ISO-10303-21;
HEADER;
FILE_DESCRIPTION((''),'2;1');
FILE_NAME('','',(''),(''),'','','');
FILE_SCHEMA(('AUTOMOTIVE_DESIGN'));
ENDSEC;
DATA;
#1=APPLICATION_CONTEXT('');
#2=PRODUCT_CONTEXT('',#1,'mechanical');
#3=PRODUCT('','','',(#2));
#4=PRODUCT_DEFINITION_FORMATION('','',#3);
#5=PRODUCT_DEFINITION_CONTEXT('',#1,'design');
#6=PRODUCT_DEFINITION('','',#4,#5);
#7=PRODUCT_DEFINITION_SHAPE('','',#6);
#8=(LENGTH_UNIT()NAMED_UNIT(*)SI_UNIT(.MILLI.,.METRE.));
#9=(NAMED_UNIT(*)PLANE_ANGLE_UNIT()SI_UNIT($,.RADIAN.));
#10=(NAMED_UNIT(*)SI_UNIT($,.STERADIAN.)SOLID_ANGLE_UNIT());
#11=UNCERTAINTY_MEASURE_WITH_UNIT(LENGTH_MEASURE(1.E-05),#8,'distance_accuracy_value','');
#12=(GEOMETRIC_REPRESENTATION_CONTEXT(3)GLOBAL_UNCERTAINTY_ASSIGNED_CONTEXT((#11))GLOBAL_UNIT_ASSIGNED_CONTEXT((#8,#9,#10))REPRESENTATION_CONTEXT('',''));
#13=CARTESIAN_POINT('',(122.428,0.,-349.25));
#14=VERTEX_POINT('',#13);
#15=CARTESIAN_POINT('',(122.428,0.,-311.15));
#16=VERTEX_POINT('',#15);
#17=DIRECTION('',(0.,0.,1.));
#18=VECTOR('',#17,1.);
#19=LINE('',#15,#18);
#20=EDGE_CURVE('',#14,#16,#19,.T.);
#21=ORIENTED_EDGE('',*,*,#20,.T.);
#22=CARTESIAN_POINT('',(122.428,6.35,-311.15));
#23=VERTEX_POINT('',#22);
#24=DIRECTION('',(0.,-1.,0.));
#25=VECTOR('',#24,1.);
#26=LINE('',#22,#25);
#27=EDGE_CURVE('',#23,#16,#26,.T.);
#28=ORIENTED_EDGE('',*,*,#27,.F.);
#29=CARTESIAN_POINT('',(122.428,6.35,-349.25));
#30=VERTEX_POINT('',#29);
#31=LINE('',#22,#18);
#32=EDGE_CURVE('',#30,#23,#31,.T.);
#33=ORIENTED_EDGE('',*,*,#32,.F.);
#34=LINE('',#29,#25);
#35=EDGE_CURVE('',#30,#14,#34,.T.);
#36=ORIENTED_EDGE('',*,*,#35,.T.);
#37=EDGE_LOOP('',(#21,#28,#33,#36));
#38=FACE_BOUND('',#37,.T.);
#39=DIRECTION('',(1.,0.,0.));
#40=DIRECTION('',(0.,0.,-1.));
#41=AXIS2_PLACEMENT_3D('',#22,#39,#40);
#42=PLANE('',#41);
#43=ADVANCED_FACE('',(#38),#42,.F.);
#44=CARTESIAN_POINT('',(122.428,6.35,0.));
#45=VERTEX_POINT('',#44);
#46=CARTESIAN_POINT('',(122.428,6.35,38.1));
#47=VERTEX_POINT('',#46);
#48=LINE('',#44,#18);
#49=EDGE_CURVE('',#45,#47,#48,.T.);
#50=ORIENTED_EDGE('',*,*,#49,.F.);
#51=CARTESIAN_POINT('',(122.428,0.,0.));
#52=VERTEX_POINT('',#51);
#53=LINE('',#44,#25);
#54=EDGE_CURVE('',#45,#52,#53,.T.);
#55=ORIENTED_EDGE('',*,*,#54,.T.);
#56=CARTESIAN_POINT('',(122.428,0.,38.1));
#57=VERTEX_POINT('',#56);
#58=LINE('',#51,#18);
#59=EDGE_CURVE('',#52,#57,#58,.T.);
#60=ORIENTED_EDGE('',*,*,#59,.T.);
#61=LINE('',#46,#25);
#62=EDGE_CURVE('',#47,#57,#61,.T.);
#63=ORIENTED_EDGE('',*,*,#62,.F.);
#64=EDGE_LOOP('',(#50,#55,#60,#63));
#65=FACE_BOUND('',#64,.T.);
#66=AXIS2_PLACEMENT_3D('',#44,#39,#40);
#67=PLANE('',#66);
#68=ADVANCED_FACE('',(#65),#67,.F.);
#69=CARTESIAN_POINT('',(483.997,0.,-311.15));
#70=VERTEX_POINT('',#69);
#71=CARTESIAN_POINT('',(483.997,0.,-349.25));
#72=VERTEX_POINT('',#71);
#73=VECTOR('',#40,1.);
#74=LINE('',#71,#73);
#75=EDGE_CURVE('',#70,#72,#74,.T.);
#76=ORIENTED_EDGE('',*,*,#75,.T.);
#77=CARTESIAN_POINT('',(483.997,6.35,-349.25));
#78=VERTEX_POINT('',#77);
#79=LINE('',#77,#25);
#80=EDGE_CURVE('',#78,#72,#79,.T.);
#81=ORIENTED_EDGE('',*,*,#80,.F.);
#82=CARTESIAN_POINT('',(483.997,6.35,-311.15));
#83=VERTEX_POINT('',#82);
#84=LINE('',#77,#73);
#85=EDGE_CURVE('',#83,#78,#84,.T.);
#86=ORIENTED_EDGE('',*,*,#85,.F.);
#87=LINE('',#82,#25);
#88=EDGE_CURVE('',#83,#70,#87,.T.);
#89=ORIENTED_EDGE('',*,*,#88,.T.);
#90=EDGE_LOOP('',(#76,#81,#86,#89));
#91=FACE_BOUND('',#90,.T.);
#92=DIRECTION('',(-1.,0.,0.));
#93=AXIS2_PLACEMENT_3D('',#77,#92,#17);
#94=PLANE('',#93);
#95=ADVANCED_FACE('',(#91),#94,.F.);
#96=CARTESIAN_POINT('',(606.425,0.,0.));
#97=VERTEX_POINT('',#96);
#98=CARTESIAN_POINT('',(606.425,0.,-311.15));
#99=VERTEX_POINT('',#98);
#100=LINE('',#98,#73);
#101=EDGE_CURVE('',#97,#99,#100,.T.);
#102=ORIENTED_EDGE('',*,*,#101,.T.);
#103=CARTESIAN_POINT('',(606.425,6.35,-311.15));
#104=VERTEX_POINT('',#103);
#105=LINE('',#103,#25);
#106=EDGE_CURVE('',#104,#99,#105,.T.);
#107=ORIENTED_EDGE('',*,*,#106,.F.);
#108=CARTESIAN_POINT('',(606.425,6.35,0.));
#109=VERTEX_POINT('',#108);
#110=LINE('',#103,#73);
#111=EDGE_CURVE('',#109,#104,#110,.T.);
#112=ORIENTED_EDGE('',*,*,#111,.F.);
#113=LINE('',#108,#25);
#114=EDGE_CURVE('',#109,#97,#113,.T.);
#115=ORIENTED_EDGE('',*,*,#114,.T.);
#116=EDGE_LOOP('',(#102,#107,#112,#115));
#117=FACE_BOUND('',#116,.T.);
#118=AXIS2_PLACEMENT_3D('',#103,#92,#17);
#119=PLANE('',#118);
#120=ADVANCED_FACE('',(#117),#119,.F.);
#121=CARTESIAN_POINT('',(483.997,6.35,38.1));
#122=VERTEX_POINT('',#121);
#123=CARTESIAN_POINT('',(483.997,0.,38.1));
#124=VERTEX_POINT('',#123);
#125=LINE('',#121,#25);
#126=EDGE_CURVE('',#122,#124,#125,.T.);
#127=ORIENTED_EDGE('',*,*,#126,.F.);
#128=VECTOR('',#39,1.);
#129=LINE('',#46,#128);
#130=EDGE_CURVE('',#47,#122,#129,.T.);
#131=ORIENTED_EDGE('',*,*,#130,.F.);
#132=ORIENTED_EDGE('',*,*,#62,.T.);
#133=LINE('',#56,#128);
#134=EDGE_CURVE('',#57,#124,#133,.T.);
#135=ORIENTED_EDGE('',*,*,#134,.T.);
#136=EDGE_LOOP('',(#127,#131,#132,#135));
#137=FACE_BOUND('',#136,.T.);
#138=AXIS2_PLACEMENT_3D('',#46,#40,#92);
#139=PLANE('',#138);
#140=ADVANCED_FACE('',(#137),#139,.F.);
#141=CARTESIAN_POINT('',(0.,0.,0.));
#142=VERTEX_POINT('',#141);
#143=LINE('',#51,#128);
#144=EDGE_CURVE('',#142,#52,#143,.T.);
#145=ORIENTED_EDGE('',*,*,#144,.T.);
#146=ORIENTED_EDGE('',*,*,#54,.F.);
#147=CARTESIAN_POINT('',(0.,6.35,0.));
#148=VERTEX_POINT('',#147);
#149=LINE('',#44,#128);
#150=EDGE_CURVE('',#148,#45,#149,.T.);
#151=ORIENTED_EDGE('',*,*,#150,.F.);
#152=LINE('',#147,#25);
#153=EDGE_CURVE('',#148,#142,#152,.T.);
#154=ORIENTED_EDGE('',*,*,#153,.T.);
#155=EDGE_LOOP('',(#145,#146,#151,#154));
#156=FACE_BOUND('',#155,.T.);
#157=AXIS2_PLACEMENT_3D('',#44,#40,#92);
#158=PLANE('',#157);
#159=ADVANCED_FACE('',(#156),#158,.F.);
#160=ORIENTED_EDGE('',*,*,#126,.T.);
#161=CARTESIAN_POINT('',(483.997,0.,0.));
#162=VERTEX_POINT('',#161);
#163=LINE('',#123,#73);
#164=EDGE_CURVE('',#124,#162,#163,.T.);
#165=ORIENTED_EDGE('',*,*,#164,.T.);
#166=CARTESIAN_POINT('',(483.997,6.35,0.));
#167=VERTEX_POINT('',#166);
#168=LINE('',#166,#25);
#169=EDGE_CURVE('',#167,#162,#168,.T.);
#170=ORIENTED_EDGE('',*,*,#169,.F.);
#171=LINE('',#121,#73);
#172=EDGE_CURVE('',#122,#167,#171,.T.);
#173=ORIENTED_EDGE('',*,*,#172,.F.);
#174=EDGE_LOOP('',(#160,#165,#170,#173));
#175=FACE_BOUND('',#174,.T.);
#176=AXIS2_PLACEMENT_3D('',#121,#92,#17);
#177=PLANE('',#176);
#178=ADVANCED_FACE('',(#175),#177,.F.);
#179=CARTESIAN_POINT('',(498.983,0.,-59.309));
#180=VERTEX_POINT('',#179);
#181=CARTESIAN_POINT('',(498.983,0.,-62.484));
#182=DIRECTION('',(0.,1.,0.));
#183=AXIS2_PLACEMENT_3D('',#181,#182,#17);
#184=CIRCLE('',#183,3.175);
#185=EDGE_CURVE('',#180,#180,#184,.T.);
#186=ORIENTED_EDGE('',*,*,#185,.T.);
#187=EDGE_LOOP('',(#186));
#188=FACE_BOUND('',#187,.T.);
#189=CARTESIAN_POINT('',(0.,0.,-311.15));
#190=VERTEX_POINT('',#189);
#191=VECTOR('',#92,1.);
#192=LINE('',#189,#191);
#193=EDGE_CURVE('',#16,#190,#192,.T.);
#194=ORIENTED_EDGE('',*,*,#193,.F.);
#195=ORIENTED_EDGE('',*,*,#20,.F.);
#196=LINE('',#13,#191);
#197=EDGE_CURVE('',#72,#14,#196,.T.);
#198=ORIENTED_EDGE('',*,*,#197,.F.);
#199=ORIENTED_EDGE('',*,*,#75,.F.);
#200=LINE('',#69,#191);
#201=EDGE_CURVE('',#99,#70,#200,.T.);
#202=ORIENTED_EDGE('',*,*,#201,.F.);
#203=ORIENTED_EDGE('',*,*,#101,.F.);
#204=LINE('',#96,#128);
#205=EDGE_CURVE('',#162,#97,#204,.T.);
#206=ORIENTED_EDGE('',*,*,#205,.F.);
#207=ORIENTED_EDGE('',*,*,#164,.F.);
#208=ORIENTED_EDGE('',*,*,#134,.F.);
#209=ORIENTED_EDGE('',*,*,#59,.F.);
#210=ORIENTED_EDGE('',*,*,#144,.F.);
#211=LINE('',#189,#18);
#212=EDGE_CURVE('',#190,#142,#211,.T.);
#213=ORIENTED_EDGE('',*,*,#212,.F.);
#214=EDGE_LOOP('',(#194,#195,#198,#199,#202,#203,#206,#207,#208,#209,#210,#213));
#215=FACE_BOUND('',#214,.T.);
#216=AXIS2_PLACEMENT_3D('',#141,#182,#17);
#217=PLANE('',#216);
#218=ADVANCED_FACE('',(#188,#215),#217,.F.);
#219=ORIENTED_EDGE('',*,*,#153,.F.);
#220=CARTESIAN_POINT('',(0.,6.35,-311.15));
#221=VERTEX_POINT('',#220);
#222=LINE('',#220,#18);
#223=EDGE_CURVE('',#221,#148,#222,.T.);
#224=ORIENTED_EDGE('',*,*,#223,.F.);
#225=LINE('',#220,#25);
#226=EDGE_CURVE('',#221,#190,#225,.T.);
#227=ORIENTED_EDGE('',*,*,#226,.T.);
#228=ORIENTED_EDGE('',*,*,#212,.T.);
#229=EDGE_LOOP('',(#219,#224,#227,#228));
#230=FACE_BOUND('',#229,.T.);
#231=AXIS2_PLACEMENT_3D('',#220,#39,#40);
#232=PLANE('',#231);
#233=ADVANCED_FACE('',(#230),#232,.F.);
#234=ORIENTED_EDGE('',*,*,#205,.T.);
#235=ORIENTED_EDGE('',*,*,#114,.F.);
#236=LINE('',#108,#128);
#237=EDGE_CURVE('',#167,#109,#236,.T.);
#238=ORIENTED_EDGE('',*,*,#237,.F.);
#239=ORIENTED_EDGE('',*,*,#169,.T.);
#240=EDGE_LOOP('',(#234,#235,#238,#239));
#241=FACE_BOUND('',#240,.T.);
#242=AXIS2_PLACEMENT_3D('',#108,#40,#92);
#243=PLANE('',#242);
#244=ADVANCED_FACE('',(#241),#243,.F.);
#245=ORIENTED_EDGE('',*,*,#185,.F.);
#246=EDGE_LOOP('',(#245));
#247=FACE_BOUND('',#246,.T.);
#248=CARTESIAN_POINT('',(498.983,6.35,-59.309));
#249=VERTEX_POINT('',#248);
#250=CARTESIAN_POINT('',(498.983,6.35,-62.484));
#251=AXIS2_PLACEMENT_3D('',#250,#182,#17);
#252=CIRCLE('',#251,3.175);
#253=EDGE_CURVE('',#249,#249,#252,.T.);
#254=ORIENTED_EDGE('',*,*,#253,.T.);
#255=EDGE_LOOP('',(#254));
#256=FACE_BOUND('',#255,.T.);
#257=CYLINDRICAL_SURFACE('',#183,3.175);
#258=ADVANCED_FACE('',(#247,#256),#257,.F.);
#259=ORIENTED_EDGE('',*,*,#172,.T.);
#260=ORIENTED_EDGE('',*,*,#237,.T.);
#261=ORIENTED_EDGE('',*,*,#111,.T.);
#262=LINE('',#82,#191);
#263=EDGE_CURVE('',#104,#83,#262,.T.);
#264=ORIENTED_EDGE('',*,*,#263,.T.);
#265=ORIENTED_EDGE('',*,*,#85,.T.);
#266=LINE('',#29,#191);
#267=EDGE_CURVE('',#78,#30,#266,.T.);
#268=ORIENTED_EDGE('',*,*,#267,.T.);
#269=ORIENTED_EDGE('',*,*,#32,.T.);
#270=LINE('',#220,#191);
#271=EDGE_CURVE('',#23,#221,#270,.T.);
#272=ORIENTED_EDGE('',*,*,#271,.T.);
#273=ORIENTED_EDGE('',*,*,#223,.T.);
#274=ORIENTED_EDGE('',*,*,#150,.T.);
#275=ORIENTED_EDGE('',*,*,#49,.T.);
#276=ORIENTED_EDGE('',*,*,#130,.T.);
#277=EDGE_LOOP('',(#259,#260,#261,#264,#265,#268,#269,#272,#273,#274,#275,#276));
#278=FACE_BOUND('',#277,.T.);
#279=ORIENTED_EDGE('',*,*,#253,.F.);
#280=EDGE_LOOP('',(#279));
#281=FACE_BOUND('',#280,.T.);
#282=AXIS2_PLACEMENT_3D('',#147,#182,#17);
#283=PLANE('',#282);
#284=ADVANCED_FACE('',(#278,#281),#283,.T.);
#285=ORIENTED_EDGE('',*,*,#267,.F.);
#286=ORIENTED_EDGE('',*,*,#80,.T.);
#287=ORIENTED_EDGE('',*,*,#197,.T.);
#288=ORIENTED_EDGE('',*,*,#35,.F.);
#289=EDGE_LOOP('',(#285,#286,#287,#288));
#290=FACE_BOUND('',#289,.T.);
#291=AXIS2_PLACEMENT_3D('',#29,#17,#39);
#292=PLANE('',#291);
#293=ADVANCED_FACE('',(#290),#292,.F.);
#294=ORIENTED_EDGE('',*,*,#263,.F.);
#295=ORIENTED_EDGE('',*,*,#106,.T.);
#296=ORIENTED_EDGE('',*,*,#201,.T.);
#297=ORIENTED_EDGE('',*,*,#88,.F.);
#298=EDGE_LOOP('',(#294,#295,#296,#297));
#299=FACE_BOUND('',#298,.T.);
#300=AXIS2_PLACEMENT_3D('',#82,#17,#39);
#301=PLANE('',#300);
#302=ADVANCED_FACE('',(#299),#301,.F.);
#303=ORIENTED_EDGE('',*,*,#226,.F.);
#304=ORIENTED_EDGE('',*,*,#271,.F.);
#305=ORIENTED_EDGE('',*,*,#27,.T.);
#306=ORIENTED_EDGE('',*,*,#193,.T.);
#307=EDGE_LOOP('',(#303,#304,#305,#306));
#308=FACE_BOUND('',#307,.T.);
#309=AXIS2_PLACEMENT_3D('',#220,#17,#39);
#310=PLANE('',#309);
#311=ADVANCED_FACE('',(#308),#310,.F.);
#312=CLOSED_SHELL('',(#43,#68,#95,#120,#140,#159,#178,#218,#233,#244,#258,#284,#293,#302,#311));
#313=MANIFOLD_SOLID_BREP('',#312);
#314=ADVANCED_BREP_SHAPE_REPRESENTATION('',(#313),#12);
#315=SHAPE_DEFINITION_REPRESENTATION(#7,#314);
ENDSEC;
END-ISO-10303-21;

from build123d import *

# Parameters (mm, degrees)
BOSS_EXTRUDE1_DEPTH = 6.35
SKETCH2_R           = 3.175
CUT_EXTRUDE1_DEPTH  = 700.833669971


with BuildPart() as part:
    # Sketch1 → Boss-Extrude1 (new body)
    with BuildSketch(Plane(origin=(0, 0, 0), x_dir=(1, 0, 0), z_dir=(0, 1, 0))):
        Polygon((122.428, 0), (122.428, -38.1), (483.997, -38.1), (483.997, 0), (606.425, 0), (606.425, 311.15), (483.997, 311.15), (483.997, 349.25), (122.428, 349.25), (122.428, 311.15), (0, 311.15), (0, 0), align=None)
    extrude(amount=BOSS_EXTRUDE1_DEPTH)

    # Sketch2 → Cut-Extrude1 (cut, through all)
    with BuildSketch(Plane(origin=(0, 6.35, 0), x_dir=(1, 0, 0), z_dir=(0, 1, 0))):
        with Locations(Location((498.983, 62.484, 0), (0, 0, 270))):
            Circle(SKETCH2_R)
    extrude(amount=-CUT_EXTRUDE1_DEPTH, mode=Mode.SUBTRACT)


solid = part.part
